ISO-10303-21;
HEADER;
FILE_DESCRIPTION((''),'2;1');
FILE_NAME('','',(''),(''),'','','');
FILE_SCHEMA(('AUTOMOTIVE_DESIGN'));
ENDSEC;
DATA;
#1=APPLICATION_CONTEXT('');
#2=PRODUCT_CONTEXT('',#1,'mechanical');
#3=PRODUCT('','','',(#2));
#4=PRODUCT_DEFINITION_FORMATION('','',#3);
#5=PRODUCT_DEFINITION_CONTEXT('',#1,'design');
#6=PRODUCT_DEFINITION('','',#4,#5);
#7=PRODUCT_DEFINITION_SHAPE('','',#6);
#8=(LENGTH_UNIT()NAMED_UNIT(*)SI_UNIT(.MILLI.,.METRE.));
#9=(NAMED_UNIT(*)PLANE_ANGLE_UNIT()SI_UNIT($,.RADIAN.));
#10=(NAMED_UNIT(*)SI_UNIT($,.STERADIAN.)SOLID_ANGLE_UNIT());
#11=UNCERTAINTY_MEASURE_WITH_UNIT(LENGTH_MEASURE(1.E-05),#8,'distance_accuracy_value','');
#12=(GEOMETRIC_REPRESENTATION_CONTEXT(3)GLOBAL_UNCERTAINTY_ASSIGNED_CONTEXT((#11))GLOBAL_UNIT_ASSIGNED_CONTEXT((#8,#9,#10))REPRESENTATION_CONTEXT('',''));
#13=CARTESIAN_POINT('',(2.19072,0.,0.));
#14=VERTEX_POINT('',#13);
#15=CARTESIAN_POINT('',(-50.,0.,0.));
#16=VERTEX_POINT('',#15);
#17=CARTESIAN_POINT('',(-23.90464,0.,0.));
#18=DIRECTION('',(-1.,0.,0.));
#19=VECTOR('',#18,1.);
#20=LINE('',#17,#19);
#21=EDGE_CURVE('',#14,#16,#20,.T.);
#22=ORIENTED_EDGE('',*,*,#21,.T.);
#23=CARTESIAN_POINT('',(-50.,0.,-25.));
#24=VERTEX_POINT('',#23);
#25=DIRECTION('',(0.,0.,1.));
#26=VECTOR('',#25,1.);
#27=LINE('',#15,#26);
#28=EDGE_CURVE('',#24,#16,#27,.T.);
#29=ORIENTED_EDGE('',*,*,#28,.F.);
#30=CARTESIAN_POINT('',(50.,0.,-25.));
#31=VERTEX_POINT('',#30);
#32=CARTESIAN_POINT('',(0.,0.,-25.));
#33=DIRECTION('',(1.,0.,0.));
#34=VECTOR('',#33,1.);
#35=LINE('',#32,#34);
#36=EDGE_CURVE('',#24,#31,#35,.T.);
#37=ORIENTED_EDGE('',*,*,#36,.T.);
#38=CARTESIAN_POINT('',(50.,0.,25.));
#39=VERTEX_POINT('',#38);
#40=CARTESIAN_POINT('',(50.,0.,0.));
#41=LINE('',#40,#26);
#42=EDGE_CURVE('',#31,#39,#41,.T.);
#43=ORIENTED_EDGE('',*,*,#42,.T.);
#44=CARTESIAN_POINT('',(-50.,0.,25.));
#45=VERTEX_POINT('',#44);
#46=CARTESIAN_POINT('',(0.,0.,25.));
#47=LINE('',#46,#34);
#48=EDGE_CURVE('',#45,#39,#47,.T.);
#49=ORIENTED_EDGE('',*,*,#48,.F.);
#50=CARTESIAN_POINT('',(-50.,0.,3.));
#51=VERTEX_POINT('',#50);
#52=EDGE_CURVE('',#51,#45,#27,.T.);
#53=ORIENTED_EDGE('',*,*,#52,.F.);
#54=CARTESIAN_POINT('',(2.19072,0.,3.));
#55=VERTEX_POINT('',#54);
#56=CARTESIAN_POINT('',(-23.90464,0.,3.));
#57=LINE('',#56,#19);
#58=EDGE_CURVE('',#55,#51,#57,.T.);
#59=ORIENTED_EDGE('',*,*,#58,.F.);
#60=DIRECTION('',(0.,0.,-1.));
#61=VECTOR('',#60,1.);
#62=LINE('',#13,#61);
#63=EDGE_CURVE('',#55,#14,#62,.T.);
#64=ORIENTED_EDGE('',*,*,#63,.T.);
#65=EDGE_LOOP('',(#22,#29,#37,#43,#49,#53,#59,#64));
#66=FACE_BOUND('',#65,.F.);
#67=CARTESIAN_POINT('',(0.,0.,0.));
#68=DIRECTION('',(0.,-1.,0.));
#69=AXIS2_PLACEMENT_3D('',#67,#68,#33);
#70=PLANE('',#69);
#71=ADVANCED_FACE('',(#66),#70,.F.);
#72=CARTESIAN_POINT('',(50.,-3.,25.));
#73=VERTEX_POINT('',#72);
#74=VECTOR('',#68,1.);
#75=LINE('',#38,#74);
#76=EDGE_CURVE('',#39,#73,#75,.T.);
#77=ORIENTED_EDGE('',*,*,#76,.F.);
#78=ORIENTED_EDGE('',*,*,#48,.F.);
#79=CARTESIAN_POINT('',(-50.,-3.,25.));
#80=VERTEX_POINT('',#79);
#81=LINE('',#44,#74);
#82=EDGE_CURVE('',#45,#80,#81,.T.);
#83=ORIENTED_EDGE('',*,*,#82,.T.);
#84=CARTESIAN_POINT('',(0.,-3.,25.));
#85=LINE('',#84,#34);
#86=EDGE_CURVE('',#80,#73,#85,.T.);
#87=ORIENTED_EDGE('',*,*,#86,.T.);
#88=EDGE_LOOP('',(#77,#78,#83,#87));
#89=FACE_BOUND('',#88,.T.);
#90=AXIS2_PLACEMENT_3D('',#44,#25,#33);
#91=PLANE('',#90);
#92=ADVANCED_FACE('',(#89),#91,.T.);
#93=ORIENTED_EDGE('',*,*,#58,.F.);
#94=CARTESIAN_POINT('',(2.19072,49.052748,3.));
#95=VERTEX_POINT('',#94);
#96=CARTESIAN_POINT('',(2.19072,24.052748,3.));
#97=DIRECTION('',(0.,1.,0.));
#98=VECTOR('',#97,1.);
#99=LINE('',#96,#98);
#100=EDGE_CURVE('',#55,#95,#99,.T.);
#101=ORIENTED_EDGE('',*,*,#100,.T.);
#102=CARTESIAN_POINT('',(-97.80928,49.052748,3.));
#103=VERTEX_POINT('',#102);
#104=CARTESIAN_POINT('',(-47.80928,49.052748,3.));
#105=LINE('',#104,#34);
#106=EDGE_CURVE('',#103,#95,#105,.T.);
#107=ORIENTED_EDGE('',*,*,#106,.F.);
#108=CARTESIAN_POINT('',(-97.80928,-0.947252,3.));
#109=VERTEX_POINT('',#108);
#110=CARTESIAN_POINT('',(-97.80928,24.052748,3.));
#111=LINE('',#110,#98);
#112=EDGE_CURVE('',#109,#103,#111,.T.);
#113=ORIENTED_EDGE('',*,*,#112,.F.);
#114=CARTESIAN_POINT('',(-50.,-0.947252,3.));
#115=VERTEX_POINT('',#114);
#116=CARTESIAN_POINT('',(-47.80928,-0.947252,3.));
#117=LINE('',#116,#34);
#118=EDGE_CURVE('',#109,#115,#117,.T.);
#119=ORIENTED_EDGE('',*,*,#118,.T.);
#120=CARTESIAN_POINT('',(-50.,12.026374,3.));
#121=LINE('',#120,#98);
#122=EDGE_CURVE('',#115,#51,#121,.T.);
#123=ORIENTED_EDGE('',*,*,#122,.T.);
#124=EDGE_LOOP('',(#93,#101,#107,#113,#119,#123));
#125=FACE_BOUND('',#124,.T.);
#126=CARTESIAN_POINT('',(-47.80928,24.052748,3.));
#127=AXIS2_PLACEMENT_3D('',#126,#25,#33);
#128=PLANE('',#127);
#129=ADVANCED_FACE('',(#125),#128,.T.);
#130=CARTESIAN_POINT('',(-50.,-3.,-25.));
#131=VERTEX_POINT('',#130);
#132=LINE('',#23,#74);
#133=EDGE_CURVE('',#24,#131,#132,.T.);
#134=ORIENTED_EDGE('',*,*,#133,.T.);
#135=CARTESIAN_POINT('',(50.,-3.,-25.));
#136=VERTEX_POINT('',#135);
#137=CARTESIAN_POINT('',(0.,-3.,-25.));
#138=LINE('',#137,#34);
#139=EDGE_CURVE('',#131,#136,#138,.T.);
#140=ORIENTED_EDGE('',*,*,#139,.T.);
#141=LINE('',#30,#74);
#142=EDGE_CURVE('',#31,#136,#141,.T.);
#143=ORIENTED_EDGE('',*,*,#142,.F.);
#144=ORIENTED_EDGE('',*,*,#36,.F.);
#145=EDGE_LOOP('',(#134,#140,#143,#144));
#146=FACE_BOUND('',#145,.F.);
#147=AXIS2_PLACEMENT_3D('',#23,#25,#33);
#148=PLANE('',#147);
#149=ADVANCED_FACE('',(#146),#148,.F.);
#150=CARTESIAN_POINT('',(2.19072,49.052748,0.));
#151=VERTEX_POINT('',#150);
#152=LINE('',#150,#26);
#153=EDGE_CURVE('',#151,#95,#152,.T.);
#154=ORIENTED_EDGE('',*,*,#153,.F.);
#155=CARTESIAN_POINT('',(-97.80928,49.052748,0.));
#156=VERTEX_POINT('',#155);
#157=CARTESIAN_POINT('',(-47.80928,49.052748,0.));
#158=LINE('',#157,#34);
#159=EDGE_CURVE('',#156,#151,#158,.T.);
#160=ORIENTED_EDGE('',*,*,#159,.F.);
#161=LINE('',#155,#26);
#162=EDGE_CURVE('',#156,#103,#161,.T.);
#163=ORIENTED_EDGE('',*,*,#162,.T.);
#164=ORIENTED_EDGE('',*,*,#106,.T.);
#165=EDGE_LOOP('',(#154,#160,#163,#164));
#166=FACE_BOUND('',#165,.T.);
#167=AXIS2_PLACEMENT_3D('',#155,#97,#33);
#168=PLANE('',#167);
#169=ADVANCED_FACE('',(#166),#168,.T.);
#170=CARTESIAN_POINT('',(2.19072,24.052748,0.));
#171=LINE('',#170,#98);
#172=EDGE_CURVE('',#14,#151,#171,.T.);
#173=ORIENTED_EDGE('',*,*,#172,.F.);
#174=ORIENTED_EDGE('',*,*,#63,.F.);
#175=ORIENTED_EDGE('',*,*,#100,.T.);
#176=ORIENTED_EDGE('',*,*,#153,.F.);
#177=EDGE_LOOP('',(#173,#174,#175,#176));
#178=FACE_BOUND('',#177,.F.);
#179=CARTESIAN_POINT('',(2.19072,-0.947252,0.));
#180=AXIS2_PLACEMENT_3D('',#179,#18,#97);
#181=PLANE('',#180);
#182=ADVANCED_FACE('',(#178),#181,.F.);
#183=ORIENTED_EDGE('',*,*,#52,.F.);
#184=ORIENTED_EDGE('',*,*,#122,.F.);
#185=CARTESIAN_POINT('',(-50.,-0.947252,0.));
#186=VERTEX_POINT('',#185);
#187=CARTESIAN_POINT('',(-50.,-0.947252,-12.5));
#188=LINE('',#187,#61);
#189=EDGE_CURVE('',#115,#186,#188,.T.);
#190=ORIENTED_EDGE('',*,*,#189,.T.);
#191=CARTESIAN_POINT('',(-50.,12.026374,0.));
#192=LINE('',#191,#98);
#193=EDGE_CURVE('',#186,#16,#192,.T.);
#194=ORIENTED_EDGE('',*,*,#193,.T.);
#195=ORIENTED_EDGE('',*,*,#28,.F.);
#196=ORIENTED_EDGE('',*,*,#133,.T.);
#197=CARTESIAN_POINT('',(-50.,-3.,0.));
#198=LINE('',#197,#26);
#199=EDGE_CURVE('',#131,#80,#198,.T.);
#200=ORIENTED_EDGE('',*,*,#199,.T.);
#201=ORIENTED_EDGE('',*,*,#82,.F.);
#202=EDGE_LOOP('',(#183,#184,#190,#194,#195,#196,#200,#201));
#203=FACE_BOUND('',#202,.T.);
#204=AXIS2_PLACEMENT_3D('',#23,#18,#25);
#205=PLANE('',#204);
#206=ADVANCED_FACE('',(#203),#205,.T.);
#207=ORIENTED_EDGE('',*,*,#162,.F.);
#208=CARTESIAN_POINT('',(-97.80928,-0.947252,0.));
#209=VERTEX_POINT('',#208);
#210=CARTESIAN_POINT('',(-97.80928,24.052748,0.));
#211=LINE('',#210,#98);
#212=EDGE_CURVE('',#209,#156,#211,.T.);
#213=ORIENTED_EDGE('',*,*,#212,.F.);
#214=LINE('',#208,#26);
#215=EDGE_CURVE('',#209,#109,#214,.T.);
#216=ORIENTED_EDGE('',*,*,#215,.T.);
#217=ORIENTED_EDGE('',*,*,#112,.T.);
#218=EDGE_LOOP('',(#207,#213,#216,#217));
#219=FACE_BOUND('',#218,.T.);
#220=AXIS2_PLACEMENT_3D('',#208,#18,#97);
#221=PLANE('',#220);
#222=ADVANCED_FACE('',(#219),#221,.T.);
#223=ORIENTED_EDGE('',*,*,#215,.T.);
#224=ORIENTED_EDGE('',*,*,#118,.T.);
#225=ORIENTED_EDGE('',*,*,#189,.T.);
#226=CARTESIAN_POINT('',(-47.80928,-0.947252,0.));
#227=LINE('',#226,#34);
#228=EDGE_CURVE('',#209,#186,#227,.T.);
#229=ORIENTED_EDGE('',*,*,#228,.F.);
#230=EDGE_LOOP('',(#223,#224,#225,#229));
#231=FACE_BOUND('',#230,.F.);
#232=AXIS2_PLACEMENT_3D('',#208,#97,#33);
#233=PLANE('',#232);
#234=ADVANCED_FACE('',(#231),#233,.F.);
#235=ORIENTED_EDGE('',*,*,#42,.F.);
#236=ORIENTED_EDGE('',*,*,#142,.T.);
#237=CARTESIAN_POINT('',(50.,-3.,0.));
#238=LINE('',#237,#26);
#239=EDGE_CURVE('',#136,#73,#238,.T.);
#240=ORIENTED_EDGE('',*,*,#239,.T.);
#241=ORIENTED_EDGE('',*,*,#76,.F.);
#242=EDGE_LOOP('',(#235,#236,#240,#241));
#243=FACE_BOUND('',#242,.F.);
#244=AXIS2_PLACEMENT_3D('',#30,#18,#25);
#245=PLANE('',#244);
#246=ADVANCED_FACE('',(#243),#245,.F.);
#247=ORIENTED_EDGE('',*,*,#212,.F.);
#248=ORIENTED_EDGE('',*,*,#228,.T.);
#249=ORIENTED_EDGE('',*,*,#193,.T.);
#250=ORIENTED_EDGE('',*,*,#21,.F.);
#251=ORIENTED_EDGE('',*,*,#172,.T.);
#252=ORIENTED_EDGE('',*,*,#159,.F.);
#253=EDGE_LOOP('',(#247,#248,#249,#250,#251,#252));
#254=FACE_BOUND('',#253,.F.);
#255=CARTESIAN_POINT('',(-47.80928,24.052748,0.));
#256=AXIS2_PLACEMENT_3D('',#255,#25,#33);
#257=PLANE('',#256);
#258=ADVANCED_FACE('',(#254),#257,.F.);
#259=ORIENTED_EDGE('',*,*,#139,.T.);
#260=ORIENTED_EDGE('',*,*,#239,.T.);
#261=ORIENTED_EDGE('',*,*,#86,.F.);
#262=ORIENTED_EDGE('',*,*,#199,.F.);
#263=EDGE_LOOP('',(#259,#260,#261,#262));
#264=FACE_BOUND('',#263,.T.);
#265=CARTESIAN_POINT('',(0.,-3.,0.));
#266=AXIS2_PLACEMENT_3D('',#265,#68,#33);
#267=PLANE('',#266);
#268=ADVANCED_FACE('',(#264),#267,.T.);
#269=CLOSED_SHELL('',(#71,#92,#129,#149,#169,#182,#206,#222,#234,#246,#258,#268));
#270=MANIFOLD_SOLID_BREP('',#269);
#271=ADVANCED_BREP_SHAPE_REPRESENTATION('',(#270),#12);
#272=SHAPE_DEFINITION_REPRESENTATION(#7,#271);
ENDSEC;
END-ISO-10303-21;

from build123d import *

# Parameters (mm, degrees)
F0_W     = 100
F0_H     = 50
F1_DEPTH = 3
F2_W     = 100
F2_H     = 50
F3_DEPTH = 3


with BuildPart() as f1:
    # F0 (on Front) → F1 (new body)
    with BuildSketch(Plane.XZ):
        Rectangle(F0_W, F0_H)
    extrude(amount=F1_DEPTH)

    # F2 (on Top) → F3 (join)
    with BuildSketch(Plane.XY):
        with Locations((-47.80928, 24.052748)):
            Rectangle(F2_W, F2_H)
    extrude(amount=F3_DEPTH)


solid = f1.part
